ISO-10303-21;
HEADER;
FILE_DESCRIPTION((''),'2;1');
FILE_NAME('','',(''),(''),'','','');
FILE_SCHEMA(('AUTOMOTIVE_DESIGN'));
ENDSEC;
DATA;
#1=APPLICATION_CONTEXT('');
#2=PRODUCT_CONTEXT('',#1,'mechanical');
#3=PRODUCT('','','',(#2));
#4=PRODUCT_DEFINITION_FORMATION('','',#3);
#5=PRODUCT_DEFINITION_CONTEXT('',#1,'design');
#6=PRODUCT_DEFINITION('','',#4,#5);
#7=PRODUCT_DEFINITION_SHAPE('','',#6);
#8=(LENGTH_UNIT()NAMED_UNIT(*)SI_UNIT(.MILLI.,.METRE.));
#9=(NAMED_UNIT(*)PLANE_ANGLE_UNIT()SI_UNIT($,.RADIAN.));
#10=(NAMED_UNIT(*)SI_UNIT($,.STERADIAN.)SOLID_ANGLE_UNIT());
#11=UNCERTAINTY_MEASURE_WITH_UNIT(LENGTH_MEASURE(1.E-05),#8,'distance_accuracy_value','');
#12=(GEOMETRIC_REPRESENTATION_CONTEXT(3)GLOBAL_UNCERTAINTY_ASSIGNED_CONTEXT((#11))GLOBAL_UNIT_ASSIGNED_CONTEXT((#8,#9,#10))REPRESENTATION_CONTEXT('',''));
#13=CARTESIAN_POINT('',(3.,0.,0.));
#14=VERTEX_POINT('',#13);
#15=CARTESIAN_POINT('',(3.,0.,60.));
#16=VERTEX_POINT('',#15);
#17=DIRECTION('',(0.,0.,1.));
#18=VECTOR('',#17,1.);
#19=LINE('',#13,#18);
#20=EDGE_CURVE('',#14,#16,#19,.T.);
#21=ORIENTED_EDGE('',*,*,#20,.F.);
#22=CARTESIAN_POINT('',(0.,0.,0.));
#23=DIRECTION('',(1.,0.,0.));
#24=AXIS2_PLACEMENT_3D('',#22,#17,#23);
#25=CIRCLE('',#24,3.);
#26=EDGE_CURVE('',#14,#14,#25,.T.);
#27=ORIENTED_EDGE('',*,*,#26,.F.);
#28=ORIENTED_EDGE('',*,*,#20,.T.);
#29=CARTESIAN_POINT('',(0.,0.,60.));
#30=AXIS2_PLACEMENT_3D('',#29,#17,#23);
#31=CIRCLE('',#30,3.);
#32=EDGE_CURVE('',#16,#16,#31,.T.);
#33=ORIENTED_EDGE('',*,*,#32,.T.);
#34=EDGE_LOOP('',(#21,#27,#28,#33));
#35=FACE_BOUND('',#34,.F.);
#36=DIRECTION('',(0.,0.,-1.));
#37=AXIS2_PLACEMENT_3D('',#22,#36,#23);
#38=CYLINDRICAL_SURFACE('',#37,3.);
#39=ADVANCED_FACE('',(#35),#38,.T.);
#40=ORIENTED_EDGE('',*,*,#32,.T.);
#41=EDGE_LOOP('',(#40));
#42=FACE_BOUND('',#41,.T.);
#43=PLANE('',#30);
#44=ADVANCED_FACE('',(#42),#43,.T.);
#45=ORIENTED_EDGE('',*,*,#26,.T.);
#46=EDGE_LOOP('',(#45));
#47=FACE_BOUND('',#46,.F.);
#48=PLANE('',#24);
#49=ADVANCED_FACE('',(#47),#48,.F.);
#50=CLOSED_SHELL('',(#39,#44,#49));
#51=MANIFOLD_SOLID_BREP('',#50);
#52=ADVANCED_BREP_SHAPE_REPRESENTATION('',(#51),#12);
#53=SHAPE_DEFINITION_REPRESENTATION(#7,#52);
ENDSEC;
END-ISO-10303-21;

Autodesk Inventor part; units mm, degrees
ref_plane "YZ Plane" through (0, 0, 0) normal (1, 0, 0) x (0, 1, 0)
ref_plane "XZ Plane" through (0, 0, 0) normal (0, 1, 0) x (-1, 0, 0)
ref_plane "XY Plane" through (0, 0, 0) normal (0, 0, 1) x (1, 0, 0)
sketch "Skizze1" plane through (0, 0, 0) normal (0, 0, 1) x (1, 0, 0)
  circle A0 centre (0, 0) radius 3
  dimension "d0" = 6
extrude "Extrusion1" add sketch "Skizze1" along normal blind 60
properties part number "Federführung"
